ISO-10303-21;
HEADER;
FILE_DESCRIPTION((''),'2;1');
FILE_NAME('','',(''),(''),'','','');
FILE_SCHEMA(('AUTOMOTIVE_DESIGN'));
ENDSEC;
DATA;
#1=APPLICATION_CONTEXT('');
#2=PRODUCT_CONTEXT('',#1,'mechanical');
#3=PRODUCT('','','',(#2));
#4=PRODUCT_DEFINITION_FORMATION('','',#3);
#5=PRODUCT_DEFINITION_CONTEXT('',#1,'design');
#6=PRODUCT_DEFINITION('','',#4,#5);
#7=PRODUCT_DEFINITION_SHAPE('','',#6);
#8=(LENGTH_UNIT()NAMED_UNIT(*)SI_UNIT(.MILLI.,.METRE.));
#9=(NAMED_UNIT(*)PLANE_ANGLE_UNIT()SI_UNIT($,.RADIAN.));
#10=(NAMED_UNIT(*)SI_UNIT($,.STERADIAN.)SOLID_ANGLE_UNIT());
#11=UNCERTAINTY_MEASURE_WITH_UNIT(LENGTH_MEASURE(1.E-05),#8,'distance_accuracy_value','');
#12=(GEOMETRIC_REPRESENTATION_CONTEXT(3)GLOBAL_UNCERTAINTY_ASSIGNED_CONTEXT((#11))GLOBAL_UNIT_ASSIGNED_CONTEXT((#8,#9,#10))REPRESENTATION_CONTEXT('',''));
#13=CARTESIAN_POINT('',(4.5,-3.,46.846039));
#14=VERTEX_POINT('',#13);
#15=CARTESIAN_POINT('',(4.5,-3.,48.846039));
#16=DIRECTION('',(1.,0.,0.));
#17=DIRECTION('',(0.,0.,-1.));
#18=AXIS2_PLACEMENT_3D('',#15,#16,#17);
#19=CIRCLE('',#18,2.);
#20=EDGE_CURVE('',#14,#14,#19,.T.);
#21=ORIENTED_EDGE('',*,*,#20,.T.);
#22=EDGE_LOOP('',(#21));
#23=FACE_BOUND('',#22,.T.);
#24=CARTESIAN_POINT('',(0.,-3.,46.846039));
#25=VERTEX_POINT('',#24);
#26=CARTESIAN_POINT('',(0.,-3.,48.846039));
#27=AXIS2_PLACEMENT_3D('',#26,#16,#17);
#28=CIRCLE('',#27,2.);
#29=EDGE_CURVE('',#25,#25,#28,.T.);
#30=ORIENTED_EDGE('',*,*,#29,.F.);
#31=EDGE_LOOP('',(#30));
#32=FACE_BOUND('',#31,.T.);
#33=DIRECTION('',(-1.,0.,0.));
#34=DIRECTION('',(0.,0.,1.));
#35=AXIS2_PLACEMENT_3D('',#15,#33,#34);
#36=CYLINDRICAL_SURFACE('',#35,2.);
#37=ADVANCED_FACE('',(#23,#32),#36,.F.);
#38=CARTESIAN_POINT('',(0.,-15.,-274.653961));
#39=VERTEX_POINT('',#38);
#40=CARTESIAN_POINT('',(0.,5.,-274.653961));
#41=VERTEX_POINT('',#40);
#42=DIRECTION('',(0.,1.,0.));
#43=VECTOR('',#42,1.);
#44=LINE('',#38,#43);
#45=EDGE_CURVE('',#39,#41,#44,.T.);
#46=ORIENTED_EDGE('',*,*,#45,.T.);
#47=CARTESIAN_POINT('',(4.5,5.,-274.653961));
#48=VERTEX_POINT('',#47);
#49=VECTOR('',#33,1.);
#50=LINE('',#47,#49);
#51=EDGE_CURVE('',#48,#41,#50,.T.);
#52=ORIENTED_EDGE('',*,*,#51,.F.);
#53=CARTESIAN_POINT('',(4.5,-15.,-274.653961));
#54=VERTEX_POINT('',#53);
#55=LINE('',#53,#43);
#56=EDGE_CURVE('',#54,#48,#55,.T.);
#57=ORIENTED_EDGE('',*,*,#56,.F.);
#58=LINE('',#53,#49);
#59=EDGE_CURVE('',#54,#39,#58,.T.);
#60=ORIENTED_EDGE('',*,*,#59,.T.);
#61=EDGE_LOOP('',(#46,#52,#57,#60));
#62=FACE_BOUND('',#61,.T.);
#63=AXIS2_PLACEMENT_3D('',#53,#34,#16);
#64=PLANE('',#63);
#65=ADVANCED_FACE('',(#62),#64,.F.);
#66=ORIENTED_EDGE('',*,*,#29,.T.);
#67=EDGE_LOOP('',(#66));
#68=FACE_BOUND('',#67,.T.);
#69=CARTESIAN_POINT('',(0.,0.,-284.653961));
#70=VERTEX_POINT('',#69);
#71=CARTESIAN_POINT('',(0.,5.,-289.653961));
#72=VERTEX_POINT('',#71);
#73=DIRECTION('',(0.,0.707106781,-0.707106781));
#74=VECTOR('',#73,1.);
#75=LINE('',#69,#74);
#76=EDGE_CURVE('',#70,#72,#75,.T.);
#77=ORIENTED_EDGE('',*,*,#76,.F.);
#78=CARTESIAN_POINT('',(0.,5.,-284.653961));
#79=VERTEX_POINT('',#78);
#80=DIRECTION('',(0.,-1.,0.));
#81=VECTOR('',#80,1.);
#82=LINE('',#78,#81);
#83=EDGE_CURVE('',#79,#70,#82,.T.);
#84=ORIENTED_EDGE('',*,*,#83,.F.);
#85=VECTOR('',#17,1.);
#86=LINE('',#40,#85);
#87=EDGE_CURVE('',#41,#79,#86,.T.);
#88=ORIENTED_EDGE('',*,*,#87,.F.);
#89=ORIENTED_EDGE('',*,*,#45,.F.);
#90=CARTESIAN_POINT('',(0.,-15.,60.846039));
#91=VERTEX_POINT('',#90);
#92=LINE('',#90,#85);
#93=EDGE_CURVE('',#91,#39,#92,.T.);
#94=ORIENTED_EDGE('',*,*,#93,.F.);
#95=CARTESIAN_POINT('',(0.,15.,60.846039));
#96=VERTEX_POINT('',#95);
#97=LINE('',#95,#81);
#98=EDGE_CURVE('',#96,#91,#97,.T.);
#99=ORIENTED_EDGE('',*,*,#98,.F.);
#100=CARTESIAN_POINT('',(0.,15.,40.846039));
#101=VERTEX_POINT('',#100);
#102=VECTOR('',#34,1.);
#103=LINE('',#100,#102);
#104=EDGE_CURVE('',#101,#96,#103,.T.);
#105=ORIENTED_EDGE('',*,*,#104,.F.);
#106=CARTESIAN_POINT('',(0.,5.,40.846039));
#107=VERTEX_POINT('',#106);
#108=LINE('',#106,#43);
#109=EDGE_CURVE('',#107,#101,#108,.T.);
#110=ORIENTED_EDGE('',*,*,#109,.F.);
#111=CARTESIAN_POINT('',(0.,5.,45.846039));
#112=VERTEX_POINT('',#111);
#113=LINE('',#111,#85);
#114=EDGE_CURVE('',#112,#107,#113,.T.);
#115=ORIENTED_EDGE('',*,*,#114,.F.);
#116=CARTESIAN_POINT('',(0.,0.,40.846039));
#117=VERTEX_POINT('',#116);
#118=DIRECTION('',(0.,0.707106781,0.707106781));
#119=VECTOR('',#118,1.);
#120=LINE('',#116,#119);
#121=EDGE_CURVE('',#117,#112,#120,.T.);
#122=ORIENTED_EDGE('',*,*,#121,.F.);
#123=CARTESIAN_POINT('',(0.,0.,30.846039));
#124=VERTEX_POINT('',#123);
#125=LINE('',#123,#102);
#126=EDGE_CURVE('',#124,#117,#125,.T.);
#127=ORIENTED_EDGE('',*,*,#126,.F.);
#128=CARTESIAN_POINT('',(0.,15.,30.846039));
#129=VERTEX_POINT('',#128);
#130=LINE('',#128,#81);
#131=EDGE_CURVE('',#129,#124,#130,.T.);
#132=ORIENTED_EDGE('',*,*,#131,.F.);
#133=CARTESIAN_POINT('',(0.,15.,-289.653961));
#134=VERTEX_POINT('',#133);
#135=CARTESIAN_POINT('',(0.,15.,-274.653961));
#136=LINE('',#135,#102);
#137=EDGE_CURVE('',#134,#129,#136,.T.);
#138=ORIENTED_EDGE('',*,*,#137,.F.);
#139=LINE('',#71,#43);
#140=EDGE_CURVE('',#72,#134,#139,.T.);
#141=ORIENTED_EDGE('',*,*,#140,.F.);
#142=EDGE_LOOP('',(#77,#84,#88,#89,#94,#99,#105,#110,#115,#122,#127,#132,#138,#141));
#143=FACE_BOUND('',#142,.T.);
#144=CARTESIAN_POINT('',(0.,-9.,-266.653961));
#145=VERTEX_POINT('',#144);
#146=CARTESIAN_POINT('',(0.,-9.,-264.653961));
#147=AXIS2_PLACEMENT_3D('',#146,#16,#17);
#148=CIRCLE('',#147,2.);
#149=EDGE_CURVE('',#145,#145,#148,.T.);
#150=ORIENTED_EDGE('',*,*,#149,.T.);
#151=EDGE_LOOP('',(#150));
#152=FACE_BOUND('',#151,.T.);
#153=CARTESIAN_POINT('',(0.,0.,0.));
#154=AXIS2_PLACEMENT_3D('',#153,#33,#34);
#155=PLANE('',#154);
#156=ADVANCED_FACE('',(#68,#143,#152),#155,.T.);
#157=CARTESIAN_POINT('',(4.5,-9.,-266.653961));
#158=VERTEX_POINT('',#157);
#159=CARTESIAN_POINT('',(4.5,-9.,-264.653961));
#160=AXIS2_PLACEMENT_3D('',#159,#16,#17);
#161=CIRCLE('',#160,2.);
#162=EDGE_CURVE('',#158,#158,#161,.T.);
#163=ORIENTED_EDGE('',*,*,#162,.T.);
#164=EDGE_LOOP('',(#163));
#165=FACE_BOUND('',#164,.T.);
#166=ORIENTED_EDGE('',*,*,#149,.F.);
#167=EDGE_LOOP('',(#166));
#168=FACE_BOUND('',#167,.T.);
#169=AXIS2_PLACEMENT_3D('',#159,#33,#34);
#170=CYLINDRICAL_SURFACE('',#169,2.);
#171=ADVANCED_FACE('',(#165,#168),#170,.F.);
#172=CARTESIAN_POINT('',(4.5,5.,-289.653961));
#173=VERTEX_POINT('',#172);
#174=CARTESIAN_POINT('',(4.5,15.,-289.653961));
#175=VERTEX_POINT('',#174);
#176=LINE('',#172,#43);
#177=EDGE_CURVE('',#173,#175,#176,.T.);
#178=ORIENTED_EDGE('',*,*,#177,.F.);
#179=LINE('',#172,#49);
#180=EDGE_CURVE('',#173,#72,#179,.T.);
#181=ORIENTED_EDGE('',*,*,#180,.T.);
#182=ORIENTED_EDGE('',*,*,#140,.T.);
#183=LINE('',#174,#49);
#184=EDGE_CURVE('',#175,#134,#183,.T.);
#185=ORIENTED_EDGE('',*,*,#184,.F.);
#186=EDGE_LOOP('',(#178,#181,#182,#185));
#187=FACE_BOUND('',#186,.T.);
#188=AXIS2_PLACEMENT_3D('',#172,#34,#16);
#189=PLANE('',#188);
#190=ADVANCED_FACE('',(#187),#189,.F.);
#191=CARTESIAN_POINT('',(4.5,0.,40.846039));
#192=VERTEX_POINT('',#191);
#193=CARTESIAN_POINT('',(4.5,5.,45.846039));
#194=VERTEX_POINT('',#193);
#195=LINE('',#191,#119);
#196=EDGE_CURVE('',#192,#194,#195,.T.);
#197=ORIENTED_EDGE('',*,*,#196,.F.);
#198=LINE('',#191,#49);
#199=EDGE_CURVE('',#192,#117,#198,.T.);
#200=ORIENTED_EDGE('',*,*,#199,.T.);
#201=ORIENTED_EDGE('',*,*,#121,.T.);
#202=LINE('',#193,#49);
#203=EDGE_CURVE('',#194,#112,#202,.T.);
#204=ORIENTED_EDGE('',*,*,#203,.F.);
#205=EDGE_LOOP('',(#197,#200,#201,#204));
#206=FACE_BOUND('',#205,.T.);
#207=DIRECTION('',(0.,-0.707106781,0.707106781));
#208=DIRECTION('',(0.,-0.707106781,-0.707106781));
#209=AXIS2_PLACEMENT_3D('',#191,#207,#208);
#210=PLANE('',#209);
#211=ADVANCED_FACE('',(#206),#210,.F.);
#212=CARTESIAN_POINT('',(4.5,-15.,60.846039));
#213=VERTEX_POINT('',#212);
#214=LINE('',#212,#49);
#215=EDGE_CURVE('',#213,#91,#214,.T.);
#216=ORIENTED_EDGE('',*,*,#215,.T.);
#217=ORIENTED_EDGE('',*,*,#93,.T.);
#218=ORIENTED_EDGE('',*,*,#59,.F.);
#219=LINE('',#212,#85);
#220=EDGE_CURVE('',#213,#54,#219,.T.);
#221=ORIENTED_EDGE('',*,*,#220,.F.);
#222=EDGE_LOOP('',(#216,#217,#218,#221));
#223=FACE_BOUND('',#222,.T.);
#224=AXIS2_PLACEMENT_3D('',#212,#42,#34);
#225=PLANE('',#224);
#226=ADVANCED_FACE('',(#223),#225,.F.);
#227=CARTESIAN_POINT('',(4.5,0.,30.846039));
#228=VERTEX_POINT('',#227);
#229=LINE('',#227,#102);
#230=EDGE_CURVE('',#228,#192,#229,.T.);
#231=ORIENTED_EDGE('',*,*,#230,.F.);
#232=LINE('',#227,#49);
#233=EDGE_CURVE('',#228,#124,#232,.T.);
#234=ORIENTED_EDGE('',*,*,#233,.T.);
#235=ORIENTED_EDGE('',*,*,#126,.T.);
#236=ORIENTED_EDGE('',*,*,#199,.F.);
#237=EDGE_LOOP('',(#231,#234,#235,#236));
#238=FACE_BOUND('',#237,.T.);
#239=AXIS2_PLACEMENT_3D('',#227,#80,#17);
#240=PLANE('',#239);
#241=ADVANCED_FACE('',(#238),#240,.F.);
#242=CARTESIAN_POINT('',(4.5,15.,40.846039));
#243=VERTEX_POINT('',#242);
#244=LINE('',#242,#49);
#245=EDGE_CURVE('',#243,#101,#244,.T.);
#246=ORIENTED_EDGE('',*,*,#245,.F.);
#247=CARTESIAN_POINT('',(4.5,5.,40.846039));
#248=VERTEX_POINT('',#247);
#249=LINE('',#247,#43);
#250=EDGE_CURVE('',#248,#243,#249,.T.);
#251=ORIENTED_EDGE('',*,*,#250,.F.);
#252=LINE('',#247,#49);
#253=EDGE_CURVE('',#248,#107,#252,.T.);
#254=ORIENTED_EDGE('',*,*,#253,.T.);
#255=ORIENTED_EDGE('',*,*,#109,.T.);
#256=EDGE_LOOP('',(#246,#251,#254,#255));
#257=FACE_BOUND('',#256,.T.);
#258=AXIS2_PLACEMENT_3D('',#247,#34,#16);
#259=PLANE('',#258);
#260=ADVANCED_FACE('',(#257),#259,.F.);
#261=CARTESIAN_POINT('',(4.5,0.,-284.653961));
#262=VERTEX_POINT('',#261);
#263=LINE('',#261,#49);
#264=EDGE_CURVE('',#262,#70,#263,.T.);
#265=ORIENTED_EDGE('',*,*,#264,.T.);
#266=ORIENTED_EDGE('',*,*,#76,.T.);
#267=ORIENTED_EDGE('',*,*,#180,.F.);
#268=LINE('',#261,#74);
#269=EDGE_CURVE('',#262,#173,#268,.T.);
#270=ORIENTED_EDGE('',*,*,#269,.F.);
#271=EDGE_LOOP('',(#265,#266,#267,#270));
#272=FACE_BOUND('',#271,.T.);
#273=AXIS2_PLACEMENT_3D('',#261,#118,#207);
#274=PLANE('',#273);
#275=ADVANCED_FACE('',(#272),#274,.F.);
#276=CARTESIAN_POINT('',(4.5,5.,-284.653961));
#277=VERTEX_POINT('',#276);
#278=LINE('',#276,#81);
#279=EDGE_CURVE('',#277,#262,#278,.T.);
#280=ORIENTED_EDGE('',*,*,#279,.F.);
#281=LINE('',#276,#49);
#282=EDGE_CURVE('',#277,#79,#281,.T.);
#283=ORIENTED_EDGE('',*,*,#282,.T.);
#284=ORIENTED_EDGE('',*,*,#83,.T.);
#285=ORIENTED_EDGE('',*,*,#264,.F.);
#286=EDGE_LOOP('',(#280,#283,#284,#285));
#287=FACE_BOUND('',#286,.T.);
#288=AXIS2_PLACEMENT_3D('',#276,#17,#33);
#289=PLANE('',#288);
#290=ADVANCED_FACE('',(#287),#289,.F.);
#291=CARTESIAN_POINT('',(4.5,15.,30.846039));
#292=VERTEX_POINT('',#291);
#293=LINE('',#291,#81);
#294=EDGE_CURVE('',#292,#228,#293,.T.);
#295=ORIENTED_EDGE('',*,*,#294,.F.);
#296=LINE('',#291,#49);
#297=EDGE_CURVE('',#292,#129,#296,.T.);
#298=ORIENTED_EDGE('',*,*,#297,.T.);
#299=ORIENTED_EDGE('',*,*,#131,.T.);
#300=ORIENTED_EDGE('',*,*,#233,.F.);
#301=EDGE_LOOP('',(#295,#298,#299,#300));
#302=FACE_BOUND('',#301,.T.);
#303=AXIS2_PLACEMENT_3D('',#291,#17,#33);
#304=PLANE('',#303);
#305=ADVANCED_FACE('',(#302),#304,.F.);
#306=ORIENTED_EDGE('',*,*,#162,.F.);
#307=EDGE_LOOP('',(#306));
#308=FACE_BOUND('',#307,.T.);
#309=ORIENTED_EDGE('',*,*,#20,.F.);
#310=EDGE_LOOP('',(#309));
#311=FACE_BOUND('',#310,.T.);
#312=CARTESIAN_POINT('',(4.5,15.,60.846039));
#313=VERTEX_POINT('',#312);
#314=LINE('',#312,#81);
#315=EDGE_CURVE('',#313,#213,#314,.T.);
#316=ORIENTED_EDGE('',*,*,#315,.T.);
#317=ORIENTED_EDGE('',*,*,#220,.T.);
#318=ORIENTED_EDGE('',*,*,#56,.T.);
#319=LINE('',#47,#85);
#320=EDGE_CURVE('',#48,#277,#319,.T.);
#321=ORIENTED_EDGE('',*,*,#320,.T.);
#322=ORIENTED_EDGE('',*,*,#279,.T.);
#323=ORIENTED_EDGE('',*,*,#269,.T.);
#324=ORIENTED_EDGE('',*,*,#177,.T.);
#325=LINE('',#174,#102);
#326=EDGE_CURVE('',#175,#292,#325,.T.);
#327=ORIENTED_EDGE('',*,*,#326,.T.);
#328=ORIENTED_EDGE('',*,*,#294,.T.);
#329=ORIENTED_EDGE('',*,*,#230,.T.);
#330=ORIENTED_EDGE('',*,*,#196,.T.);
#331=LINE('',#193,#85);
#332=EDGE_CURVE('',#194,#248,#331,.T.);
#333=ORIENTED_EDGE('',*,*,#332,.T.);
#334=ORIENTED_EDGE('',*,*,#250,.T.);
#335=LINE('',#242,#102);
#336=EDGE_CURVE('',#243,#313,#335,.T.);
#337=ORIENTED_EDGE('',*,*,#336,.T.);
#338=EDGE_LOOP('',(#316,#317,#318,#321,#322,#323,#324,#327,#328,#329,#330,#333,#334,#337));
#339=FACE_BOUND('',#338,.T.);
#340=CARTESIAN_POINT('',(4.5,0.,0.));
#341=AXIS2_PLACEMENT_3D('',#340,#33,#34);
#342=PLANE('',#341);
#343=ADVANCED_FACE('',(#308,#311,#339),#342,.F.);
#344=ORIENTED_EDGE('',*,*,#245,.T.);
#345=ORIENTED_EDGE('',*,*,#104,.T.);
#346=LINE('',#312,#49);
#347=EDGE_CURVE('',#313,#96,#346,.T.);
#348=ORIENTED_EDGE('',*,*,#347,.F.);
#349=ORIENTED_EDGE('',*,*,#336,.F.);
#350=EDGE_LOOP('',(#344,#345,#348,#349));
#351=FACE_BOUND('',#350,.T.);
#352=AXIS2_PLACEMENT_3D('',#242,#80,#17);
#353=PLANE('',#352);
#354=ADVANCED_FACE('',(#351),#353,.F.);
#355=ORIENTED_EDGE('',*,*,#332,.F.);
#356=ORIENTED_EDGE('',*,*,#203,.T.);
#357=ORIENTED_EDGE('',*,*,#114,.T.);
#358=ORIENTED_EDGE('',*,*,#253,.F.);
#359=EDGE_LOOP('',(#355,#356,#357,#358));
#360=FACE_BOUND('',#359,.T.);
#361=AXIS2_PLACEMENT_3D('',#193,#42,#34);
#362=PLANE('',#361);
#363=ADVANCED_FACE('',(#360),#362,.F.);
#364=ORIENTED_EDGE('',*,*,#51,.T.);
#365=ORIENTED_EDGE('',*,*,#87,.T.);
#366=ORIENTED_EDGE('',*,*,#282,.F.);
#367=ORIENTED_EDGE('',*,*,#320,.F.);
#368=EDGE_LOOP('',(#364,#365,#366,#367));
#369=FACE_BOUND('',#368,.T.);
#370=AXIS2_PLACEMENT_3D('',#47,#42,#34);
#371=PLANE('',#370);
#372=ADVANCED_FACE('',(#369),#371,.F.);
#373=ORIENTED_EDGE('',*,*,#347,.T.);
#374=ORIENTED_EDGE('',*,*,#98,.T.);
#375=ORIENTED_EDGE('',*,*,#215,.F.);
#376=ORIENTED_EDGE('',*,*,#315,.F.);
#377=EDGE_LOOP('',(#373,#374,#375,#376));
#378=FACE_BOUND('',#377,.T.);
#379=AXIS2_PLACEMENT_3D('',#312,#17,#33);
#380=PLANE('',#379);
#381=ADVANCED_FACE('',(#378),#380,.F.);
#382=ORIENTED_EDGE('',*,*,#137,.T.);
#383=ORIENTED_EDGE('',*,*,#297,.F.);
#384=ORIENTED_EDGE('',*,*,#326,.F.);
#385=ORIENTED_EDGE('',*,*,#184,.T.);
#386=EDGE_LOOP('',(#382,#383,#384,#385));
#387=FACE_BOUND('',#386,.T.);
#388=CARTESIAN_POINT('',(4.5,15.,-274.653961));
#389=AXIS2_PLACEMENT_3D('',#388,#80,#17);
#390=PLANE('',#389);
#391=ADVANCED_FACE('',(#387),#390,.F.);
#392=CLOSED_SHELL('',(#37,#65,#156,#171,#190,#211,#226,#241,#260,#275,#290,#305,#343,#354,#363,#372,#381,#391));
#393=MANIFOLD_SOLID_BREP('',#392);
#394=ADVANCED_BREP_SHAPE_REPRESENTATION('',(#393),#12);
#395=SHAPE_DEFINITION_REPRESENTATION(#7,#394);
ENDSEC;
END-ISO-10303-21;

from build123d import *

# Parameters (mm, degrees)
SKETCH1_R           = 2
BOSS_EXTRUDE1_DEPTH = 4.5


with BuildPart() as part:
    # Sketch1 → Boss-Extrude1 (new body)
    with BuildSketch(Plane(origin=(0, 0, 0), x_dir=(0, 0, -1), z_dir=(1, 0, 0))):
        Polygon((-30.84603871, 0), (-40.84603871, 0), (-45.84603871, 5), (-40.84603871, 5), (-40.84603871, 15), (-60.84603871, 15), (-60.84603871, -15), (274.65396129, -15), (274.65396129, 5), (284.65396129, 5), (284.65396129, 0), (289.65396129, 5), (289.65396129, 15), (274.65396129, 15), (-30.84603871, 15), align=None)
        with Locations((-48.84603871, -3)):
            Circle(SKETCH1_R, mode=Mode.SUBTRACT)
        with Locations((264.65396129, -9)):
            Circle(SKETCH1_R, mode=Mode.SUBTRACT)
    extrude(amount=BOSS_EXTRUDE1_DEPTH)


solid = part.part
